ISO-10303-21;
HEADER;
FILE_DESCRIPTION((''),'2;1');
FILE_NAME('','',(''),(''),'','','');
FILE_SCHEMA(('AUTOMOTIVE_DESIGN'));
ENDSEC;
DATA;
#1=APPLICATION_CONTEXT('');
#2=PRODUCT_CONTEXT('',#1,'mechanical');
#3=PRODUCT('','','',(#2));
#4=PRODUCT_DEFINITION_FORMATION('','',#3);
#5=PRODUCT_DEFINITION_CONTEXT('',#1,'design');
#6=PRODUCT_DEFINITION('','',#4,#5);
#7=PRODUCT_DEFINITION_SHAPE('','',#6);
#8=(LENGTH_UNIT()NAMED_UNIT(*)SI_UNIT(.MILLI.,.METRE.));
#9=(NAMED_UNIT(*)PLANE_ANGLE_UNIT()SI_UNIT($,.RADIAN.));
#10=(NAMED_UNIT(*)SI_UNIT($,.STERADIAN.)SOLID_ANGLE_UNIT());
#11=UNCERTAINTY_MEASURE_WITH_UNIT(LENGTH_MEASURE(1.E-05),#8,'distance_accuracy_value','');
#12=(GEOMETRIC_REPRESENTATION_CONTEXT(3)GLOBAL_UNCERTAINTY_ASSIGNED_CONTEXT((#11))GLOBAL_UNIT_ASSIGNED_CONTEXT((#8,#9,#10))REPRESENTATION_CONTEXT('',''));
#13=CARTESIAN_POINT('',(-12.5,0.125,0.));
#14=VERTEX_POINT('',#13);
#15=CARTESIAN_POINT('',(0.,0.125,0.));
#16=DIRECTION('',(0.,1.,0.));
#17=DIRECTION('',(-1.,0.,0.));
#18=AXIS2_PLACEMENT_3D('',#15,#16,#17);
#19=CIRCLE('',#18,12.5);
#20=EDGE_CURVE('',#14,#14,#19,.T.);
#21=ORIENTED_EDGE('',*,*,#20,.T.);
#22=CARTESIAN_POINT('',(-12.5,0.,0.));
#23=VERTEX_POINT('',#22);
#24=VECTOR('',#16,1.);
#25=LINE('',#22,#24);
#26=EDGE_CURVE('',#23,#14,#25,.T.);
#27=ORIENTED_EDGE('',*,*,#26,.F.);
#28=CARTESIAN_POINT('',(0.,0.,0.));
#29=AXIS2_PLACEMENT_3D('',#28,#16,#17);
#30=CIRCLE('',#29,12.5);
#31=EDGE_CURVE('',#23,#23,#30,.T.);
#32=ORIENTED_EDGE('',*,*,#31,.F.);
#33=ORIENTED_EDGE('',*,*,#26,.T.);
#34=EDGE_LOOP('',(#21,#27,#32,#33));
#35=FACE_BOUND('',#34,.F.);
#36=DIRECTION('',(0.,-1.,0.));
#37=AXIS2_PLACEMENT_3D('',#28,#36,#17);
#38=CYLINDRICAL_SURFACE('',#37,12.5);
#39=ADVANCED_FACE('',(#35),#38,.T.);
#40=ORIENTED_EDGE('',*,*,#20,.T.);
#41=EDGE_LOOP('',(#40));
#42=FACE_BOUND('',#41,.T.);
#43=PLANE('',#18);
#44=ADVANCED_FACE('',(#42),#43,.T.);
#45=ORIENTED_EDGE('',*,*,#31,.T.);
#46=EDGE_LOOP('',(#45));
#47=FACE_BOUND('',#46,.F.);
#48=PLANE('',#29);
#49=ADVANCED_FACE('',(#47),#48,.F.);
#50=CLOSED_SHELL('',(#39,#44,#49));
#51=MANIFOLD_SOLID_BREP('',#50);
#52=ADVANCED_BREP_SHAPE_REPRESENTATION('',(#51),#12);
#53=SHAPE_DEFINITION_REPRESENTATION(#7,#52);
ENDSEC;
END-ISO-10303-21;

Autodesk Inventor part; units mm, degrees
ref_plane "YZ Plane" through (0, 0, 0) normal (1, 0, 0) x (0, 1, 0)
ref_plane "XZ Plane" through (0, 0, 0) normal (0, 1, 0) x (-1, 0, 0)
ref_plane "XY Plane" through (0, 0, 0) normal (0, 0, 1) x (1, 0, 0)
sketch "Skizze1" plane through (0, 0, 0) normal (0, 1, 0) x (-1, 0, 0)
  circle A0 centre (0, 0) radius 12.5
  dimension "d0" = 25
extrude "Extrusion1" add sketch "Skizze1" along normal blind 0.125
properties part number "00_coverglass_25mm"
